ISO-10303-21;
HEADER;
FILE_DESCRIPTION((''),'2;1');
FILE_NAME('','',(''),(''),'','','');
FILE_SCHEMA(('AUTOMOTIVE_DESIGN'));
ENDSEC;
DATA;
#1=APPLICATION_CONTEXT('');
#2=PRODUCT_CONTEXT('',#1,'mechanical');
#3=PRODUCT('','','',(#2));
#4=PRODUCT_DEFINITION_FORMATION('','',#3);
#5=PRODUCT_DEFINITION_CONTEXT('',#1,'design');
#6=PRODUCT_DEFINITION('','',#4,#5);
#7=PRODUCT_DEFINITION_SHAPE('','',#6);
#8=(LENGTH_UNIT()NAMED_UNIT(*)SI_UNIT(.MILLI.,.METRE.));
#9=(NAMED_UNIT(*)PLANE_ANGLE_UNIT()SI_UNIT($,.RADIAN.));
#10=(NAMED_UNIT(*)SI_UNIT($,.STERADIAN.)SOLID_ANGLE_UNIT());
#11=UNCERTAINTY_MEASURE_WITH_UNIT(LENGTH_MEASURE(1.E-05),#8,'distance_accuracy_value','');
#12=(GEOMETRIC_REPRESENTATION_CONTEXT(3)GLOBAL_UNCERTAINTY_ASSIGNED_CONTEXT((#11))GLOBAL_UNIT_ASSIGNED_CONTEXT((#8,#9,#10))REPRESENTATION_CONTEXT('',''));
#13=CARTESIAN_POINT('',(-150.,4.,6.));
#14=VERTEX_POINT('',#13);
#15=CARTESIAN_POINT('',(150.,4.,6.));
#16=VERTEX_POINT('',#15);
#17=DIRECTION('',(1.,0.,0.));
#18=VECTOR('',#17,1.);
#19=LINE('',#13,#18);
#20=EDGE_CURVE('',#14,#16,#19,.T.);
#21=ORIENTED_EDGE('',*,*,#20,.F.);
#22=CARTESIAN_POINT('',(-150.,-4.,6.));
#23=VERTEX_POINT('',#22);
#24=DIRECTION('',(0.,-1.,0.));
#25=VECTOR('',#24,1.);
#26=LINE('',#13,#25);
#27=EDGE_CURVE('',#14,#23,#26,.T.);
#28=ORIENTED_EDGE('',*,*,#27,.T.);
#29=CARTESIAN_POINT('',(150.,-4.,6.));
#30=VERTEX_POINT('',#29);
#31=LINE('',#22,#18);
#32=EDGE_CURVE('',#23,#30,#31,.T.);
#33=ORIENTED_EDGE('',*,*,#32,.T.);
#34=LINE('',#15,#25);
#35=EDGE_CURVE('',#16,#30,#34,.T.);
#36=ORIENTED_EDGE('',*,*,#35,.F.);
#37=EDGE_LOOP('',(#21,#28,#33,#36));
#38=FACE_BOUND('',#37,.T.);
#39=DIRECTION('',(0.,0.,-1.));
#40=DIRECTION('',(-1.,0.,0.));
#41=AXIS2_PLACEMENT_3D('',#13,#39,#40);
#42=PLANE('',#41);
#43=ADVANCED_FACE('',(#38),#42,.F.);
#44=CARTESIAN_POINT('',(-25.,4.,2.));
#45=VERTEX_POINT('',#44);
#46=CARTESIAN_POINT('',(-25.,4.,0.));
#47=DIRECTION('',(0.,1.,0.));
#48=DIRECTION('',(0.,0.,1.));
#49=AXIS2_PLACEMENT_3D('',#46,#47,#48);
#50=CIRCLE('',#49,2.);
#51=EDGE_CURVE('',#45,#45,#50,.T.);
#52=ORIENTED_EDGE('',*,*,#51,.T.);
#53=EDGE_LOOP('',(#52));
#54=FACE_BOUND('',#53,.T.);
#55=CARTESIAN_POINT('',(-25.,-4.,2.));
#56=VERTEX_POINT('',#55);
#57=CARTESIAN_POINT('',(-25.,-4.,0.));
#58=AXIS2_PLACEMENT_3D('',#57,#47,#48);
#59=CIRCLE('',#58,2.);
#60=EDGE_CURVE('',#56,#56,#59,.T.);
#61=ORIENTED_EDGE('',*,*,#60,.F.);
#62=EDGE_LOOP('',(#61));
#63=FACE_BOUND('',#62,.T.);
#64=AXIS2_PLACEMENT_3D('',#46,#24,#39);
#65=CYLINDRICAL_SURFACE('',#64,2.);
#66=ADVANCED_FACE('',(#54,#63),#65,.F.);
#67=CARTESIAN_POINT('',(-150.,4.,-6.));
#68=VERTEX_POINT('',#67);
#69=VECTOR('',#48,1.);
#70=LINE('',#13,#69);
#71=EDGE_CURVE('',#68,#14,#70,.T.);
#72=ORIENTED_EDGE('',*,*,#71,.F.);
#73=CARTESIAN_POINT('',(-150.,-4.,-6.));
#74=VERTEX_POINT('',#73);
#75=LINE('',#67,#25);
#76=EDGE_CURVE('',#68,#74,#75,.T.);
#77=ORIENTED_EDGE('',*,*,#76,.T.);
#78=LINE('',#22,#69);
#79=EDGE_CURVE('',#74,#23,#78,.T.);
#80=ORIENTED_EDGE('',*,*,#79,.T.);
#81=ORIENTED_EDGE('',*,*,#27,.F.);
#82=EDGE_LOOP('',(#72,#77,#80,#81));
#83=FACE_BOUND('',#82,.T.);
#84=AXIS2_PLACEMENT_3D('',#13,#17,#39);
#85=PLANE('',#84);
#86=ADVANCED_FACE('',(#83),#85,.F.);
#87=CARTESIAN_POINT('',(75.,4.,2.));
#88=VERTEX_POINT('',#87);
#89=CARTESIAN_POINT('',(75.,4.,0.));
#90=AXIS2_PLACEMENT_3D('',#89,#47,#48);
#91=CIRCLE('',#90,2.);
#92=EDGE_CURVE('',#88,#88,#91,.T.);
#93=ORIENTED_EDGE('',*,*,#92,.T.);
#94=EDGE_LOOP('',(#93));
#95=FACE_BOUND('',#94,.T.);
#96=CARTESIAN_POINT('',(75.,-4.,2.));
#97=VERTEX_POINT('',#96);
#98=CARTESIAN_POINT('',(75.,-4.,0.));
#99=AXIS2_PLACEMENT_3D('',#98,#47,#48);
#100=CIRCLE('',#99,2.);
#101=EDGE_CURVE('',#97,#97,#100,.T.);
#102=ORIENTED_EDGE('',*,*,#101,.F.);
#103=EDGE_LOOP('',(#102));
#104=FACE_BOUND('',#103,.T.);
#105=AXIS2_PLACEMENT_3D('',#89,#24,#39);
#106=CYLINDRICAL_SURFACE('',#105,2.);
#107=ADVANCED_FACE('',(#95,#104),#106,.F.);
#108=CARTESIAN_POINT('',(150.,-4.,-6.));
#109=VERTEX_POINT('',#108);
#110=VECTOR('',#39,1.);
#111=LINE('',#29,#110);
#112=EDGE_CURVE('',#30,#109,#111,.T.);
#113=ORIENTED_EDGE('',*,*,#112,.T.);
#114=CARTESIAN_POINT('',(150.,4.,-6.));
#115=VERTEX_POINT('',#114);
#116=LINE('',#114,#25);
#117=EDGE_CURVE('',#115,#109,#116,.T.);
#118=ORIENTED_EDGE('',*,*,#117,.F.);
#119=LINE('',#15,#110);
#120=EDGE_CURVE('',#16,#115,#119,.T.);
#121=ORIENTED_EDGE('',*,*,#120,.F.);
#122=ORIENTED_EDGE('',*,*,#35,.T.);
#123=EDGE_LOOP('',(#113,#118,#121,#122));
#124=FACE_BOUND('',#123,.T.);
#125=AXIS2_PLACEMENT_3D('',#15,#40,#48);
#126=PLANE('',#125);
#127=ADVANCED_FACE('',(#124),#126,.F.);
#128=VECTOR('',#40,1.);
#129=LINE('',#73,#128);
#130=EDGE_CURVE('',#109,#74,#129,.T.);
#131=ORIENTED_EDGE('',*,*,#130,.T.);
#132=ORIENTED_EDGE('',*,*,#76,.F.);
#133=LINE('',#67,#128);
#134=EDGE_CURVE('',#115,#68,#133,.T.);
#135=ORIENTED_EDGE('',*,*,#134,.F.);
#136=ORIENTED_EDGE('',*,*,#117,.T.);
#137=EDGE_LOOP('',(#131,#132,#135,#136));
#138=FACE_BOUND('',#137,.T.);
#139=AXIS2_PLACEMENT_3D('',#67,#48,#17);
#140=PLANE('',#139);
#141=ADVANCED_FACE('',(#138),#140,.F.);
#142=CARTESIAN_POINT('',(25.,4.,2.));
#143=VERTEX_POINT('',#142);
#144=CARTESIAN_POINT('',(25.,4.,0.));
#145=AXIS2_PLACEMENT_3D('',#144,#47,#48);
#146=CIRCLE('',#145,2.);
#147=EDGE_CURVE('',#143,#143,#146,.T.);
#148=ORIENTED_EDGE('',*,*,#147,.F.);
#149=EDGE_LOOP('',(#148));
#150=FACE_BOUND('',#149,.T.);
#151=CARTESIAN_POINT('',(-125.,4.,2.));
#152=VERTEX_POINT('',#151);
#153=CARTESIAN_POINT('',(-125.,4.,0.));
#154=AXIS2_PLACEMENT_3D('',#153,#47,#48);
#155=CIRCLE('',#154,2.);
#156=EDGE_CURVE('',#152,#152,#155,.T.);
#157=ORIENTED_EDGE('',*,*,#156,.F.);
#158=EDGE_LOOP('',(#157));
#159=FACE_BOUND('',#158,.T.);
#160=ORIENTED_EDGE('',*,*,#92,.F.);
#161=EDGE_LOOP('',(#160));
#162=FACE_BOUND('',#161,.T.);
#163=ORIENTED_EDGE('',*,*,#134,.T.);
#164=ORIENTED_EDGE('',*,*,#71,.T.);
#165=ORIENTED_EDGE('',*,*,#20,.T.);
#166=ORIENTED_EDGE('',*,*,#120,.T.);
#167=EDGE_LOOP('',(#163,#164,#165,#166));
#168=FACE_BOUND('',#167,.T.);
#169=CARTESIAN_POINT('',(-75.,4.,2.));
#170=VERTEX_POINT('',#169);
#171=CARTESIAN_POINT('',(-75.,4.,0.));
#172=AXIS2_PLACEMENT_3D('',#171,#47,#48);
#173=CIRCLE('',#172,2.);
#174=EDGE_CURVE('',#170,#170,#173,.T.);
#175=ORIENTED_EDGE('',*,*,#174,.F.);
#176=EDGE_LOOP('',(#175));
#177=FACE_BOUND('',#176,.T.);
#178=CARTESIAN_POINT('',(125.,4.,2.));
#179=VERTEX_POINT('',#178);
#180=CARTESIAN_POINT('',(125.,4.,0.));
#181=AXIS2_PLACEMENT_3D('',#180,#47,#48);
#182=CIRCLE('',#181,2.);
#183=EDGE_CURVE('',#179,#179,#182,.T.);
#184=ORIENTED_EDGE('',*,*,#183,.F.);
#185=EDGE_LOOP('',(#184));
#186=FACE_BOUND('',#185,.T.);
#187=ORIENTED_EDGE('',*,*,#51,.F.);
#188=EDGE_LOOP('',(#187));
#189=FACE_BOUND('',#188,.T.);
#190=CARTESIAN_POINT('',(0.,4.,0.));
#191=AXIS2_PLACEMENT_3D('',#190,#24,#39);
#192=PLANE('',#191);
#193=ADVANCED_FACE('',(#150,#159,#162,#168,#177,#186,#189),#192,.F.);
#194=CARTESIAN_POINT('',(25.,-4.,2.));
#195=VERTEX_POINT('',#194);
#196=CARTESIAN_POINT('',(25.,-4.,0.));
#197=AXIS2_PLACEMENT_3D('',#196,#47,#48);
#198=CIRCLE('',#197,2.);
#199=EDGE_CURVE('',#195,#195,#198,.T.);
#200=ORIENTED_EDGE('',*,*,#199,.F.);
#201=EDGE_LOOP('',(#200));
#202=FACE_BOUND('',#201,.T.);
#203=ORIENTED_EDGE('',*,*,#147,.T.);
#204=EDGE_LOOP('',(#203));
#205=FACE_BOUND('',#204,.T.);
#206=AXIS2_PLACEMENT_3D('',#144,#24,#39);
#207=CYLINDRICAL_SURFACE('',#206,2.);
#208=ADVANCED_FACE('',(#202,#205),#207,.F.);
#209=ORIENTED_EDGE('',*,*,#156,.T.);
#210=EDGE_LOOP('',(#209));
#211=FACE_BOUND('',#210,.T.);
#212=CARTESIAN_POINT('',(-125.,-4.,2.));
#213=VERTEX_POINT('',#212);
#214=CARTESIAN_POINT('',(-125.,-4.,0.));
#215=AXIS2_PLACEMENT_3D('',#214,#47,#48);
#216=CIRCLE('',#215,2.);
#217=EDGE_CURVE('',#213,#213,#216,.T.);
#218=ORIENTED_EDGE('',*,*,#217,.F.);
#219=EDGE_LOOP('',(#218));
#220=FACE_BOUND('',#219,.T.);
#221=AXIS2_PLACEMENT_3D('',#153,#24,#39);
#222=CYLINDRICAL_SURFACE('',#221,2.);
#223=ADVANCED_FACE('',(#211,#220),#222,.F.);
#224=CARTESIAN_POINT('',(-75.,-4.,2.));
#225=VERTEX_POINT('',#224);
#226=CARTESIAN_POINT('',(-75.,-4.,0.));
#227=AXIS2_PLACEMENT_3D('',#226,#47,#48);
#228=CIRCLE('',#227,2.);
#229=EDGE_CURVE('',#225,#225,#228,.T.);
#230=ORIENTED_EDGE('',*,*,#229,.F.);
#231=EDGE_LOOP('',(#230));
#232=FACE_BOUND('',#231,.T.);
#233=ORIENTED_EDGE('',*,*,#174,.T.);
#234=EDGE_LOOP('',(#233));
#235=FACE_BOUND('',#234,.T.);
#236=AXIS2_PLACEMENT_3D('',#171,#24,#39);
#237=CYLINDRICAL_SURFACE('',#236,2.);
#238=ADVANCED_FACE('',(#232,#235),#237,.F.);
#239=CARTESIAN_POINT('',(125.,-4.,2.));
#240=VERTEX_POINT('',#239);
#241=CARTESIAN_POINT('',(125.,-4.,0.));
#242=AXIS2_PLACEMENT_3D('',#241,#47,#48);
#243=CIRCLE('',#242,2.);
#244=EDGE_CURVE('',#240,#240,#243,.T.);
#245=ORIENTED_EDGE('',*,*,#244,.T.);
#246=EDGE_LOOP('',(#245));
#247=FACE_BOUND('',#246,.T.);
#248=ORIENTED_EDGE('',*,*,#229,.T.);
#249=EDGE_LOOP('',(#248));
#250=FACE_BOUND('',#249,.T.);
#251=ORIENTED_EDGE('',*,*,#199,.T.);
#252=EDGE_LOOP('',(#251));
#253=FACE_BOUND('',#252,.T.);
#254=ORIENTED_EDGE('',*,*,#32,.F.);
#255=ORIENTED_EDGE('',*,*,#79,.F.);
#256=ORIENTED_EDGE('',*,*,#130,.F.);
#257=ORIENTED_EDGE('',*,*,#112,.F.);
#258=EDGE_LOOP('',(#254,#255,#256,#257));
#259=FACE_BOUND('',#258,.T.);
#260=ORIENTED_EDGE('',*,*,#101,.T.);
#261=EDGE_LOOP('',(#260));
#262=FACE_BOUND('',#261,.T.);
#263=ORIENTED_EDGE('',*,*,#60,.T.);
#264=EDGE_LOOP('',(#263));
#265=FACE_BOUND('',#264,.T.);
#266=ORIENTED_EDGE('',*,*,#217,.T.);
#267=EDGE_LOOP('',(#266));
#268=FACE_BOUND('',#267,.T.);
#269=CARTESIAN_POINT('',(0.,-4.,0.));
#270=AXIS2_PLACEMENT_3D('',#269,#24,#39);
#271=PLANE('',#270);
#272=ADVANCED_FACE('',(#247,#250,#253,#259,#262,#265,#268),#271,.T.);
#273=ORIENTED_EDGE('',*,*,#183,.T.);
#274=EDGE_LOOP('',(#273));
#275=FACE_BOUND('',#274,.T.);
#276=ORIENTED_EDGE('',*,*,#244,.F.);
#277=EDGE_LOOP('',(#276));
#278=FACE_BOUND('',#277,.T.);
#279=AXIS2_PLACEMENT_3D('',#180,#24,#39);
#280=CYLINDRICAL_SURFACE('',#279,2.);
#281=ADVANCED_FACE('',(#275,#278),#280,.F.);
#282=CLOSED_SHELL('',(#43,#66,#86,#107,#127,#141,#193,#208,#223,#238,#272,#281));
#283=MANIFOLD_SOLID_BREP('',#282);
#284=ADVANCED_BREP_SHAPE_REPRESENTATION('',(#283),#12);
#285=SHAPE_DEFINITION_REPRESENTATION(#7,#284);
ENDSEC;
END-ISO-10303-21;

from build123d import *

# Parameters (mm, degrees)
SKETCH2_W           = 300
SKETCH2_H           = 12
SKETCH2_R           = 2
BOSS_EXTRUDE1_DEPTH = 4


with BuildPart() as part:
    # Sketch2 → Boss-Extrude1 (new, symmetric)
    with BuildSketch(Plane(origin=(0, 0, 0), x_dir=(1, 0, 0), z_dir=(0, 1, 0))):
        Rectangle(SKETCH2_W, SKETCH2_H)
        with Locations(Location((-125, 0, 0), (0, 0, 270))):
            Circle(SKETCH2_R, mode=Mode.SUBTRACT)
        with Locations(Location((-75, 0, 0), (0, 0, 270))):
            Circle(SKETCH2_R, mode=Mode.SUBTRACT)
        with Locations(Location((-25, 0, 0), (0, 0, 270))):
            Circle(SKETCH2_R, mode=Mode.SUBTRACT)
        with Locations(Location((25, 0, 0), (0, 0, 270))):
            Circle(SKETCH2_R, mode=Mode.SUBTRACT)
        with Locations(Location((75, 0, 0), (0, 0, 270))):
            Circle(SKETCH2_R, mode=Mode.SUBTRACT)
        with Locations(Location((125, 0, 0), (0, 0, 270))):
            Circle(SKETCH2_R, mode=Mode.SUBTRACT)
    extrude(amount=BOSS_EXTRUDE1_DEPTH, both=True)


solid = part.part
